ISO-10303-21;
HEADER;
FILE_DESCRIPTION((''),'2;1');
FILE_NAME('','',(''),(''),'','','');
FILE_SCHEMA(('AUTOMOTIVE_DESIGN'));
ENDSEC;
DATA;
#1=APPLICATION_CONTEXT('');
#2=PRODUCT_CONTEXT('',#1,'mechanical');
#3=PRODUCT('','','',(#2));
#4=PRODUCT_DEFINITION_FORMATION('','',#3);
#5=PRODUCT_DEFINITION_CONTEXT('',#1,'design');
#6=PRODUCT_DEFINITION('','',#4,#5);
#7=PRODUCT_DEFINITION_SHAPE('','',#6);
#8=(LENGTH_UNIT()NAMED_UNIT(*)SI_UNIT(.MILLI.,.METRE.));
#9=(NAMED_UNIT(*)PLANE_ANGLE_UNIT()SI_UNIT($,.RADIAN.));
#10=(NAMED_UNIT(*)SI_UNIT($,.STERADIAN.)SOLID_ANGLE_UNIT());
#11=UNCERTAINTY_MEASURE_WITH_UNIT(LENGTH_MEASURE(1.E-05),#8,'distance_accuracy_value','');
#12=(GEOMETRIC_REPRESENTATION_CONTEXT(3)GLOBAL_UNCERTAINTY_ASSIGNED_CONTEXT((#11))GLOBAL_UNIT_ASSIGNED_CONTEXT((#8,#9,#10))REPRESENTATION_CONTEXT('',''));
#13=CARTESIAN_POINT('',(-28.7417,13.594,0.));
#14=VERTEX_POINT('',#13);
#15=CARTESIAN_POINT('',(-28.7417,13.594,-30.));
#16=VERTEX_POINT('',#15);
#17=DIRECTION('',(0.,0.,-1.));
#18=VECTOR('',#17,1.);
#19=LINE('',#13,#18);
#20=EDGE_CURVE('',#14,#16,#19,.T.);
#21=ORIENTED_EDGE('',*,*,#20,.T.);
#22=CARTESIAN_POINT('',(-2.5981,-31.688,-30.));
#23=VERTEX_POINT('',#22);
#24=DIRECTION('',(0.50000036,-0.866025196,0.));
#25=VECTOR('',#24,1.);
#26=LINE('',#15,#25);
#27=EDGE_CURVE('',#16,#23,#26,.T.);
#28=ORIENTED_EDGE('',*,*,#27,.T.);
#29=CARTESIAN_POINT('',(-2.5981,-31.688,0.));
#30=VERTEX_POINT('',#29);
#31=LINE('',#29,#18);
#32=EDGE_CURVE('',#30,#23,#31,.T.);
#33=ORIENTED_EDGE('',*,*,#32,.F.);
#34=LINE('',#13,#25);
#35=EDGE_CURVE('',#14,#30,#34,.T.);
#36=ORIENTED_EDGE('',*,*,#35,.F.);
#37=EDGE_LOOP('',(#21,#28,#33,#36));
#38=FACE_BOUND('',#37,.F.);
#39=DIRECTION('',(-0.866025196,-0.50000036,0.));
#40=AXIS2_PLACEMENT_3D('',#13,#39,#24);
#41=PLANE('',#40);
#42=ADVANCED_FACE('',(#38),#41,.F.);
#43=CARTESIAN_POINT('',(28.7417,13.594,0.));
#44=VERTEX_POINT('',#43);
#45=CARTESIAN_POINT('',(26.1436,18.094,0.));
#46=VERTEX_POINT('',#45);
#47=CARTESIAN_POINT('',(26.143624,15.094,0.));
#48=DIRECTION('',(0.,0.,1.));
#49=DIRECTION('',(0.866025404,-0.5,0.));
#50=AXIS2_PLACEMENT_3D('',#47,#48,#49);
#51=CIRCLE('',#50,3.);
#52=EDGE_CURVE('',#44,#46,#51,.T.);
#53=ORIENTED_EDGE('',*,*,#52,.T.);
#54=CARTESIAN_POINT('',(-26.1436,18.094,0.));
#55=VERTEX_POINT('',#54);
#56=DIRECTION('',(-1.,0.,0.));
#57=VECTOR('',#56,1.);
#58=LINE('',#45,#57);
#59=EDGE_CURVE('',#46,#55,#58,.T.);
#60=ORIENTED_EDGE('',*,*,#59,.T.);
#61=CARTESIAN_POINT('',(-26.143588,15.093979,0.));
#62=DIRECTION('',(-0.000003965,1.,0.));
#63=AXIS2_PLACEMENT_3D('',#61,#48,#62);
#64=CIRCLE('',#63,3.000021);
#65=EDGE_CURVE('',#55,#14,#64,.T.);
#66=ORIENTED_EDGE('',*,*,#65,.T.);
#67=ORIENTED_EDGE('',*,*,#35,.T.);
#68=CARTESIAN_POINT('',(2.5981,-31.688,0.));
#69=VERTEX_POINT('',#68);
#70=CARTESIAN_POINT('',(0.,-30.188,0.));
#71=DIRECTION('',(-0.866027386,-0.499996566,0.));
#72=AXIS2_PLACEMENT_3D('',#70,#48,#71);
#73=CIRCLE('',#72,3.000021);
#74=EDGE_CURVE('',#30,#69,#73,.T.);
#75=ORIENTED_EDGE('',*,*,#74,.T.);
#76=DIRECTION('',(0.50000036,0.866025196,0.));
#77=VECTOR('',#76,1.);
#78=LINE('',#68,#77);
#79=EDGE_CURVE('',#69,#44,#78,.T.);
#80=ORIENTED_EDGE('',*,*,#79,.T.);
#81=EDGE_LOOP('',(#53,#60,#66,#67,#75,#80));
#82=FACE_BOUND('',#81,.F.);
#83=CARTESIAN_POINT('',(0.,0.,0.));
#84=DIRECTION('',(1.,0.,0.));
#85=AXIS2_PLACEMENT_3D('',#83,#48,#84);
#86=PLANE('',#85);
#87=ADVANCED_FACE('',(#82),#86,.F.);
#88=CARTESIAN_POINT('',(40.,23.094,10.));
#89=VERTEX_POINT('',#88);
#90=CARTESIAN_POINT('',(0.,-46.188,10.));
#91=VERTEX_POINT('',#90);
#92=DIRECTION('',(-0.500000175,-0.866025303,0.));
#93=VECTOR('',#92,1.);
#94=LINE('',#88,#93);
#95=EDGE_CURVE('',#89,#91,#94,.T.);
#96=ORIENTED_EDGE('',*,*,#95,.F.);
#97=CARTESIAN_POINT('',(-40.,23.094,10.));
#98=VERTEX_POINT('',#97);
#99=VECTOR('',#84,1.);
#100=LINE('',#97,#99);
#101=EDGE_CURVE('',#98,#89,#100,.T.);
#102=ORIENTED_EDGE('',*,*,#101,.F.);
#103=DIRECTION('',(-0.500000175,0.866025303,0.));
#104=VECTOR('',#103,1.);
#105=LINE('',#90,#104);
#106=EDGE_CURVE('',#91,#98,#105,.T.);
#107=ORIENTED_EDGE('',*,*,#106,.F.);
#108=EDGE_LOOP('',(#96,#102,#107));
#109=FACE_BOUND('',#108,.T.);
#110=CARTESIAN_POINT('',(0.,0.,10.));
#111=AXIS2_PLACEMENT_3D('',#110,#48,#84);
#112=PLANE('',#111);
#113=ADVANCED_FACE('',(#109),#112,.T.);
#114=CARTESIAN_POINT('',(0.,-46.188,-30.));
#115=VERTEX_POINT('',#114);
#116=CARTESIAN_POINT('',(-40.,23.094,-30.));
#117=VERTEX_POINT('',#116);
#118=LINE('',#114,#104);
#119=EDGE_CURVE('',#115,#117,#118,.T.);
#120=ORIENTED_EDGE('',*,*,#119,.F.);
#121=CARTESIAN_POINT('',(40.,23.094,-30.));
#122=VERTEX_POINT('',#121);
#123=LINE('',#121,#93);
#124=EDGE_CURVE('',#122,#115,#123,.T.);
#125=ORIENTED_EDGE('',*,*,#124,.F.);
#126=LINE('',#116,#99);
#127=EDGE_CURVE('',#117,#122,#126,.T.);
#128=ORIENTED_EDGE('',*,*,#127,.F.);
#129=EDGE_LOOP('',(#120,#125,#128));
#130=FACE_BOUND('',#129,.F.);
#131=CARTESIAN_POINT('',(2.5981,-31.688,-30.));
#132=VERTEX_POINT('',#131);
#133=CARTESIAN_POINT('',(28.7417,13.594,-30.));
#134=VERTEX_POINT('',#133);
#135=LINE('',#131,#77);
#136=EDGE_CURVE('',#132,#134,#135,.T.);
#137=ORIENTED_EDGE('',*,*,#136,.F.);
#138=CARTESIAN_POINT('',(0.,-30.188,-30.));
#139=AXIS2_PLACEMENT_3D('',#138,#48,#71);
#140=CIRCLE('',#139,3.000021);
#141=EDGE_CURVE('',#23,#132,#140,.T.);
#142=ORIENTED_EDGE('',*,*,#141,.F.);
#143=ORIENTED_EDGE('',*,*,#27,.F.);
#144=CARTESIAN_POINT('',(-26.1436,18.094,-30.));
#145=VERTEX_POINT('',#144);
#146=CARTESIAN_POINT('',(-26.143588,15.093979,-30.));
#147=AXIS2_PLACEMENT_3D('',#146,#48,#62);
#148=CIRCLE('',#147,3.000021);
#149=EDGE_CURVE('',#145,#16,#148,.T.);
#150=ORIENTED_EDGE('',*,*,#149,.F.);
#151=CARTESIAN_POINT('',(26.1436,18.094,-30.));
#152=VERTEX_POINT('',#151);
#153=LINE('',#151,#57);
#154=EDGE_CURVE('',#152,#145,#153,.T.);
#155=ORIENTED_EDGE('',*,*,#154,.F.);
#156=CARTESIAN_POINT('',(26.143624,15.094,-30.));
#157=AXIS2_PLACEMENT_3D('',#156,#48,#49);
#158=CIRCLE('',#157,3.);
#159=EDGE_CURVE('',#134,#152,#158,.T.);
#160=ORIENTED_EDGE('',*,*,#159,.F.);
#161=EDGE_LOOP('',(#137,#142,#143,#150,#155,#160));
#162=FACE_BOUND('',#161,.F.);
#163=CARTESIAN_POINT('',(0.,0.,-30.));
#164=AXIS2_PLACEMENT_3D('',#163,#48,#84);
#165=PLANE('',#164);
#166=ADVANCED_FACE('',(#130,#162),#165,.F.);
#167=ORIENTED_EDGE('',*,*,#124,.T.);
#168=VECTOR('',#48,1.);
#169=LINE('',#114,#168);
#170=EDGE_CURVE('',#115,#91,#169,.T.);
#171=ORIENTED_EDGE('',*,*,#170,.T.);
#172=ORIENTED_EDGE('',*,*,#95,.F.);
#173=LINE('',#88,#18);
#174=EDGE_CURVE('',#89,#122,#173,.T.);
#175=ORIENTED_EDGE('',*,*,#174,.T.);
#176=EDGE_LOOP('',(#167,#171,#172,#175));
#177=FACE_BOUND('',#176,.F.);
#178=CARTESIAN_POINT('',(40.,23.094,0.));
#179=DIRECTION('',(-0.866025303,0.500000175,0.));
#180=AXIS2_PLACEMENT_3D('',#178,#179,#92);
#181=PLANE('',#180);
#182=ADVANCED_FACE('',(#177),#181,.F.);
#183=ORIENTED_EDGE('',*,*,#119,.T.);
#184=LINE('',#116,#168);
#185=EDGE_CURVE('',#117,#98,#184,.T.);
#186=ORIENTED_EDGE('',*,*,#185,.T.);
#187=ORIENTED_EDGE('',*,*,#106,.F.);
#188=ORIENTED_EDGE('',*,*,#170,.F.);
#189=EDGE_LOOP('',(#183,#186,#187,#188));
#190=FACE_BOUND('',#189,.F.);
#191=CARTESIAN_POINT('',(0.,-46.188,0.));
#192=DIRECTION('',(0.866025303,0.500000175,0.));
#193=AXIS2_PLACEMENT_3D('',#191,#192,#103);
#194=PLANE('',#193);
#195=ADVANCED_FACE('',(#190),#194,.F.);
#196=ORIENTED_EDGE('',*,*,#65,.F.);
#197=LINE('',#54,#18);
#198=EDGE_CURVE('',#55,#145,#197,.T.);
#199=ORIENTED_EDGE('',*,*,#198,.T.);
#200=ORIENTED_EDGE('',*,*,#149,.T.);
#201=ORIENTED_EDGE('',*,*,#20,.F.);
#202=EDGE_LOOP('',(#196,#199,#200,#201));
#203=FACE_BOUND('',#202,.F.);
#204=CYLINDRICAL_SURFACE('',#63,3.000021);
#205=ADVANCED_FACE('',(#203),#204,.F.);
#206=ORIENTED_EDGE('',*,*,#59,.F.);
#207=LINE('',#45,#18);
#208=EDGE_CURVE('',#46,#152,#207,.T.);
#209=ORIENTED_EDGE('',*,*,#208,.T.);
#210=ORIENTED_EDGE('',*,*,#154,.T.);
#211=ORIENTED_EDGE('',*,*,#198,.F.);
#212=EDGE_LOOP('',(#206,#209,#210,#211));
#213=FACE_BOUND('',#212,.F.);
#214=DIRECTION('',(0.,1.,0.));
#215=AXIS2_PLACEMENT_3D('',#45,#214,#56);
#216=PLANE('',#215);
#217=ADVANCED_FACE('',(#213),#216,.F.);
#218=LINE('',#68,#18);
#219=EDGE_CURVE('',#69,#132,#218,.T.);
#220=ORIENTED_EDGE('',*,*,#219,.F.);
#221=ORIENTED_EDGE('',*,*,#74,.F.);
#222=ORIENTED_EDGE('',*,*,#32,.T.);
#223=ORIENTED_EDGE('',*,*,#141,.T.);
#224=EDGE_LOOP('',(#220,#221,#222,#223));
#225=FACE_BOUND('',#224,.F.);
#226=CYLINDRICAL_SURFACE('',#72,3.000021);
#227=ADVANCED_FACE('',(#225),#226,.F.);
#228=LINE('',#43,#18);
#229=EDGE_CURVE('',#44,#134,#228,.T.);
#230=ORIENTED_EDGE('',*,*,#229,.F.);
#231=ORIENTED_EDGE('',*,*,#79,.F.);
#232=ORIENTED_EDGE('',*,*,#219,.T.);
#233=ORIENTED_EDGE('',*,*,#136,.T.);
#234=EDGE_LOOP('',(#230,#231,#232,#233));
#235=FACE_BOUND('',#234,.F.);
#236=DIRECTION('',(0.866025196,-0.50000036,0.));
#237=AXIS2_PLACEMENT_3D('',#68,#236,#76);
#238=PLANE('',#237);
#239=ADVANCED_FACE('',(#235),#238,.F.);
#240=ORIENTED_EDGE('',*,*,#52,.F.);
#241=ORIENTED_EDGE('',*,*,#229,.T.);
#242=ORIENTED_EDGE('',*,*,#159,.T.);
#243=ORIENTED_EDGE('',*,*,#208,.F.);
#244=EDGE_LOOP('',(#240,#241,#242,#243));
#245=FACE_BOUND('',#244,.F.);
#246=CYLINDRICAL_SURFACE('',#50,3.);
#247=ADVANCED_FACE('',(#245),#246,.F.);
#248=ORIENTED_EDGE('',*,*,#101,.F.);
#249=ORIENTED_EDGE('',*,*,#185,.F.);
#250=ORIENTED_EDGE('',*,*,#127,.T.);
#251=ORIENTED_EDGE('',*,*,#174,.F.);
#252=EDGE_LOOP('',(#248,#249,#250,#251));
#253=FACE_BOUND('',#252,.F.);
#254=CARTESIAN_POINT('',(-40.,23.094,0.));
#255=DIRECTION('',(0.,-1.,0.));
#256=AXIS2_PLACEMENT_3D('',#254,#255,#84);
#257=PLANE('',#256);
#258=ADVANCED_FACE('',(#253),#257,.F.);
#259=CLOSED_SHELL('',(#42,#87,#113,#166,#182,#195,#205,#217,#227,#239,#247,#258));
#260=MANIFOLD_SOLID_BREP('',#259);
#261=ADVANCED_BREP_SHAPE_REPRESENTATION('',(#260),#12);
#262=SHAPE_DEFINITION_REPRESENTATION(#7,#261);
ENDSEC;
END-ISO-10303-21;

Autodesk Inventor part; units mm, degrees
ref_plane "YZ Plane" through (0, 0, 0) normal (1, 0, 0) x (0, 1, 0)
ref_plane "XZ Plane" through (0, 0, 0) normal (0, 1, 0) x (-1, 0, 0)
ref_plane "XY Plane" through (0, 0, 0) normal (0, 0, 1) x (1, 0, 0)
sketch "Sketch2" plane through (0, 0, 0) normal (0, 0, 1) x (1, 0, 0)
  line L0 (-40, 23.094) -> (40, 23.094)
  line L1 (40, 23.094) -> (0, -46.188)
  line L2 (0, -46.188) -> (-40, 23.094)
  line L3 (0, 23.094) -> (0, 0) construction
  line L4 (0, 0) -> (-20, -11.547) construction
  line L5 (0, 0) -> (20, -11.547) construction
  line L6 (26.1436, 18.094) -> (-26.1436, 18.094)
  line L7 (-28.7417, 13.594) -> (-2.5981, -31.688)
  line L8 (2.5981, -31.688) -> (28.7417, 13.594)
  arc A0 (-26.1436, 18.094) -> (-28.7417, 13.594) centre (-26.1436, 15.094) ccw
  arc A1 (28.7417, 13.594) -> (26.1436, 18.094) centre (26.1436, 15.094) ccw
  arc A2 (-2.5981, -31.688) -> (2.5981, -31.688) centre (0, -30.188) ccw
  dimension "d0" = 80
  dimension "d1" = 5
  dimension "d2" = 3
extrude "Extrusion1" add sketch "Sketch2" along normal blind 10 contours L0 L1 L2 | A1 L8 A2 L7 A0 L6
extrude "Extrusion2" add sketch "Sketch2" against normal blind 30
properties part number "RT_FRM_008_PR_CenterTriangle"
